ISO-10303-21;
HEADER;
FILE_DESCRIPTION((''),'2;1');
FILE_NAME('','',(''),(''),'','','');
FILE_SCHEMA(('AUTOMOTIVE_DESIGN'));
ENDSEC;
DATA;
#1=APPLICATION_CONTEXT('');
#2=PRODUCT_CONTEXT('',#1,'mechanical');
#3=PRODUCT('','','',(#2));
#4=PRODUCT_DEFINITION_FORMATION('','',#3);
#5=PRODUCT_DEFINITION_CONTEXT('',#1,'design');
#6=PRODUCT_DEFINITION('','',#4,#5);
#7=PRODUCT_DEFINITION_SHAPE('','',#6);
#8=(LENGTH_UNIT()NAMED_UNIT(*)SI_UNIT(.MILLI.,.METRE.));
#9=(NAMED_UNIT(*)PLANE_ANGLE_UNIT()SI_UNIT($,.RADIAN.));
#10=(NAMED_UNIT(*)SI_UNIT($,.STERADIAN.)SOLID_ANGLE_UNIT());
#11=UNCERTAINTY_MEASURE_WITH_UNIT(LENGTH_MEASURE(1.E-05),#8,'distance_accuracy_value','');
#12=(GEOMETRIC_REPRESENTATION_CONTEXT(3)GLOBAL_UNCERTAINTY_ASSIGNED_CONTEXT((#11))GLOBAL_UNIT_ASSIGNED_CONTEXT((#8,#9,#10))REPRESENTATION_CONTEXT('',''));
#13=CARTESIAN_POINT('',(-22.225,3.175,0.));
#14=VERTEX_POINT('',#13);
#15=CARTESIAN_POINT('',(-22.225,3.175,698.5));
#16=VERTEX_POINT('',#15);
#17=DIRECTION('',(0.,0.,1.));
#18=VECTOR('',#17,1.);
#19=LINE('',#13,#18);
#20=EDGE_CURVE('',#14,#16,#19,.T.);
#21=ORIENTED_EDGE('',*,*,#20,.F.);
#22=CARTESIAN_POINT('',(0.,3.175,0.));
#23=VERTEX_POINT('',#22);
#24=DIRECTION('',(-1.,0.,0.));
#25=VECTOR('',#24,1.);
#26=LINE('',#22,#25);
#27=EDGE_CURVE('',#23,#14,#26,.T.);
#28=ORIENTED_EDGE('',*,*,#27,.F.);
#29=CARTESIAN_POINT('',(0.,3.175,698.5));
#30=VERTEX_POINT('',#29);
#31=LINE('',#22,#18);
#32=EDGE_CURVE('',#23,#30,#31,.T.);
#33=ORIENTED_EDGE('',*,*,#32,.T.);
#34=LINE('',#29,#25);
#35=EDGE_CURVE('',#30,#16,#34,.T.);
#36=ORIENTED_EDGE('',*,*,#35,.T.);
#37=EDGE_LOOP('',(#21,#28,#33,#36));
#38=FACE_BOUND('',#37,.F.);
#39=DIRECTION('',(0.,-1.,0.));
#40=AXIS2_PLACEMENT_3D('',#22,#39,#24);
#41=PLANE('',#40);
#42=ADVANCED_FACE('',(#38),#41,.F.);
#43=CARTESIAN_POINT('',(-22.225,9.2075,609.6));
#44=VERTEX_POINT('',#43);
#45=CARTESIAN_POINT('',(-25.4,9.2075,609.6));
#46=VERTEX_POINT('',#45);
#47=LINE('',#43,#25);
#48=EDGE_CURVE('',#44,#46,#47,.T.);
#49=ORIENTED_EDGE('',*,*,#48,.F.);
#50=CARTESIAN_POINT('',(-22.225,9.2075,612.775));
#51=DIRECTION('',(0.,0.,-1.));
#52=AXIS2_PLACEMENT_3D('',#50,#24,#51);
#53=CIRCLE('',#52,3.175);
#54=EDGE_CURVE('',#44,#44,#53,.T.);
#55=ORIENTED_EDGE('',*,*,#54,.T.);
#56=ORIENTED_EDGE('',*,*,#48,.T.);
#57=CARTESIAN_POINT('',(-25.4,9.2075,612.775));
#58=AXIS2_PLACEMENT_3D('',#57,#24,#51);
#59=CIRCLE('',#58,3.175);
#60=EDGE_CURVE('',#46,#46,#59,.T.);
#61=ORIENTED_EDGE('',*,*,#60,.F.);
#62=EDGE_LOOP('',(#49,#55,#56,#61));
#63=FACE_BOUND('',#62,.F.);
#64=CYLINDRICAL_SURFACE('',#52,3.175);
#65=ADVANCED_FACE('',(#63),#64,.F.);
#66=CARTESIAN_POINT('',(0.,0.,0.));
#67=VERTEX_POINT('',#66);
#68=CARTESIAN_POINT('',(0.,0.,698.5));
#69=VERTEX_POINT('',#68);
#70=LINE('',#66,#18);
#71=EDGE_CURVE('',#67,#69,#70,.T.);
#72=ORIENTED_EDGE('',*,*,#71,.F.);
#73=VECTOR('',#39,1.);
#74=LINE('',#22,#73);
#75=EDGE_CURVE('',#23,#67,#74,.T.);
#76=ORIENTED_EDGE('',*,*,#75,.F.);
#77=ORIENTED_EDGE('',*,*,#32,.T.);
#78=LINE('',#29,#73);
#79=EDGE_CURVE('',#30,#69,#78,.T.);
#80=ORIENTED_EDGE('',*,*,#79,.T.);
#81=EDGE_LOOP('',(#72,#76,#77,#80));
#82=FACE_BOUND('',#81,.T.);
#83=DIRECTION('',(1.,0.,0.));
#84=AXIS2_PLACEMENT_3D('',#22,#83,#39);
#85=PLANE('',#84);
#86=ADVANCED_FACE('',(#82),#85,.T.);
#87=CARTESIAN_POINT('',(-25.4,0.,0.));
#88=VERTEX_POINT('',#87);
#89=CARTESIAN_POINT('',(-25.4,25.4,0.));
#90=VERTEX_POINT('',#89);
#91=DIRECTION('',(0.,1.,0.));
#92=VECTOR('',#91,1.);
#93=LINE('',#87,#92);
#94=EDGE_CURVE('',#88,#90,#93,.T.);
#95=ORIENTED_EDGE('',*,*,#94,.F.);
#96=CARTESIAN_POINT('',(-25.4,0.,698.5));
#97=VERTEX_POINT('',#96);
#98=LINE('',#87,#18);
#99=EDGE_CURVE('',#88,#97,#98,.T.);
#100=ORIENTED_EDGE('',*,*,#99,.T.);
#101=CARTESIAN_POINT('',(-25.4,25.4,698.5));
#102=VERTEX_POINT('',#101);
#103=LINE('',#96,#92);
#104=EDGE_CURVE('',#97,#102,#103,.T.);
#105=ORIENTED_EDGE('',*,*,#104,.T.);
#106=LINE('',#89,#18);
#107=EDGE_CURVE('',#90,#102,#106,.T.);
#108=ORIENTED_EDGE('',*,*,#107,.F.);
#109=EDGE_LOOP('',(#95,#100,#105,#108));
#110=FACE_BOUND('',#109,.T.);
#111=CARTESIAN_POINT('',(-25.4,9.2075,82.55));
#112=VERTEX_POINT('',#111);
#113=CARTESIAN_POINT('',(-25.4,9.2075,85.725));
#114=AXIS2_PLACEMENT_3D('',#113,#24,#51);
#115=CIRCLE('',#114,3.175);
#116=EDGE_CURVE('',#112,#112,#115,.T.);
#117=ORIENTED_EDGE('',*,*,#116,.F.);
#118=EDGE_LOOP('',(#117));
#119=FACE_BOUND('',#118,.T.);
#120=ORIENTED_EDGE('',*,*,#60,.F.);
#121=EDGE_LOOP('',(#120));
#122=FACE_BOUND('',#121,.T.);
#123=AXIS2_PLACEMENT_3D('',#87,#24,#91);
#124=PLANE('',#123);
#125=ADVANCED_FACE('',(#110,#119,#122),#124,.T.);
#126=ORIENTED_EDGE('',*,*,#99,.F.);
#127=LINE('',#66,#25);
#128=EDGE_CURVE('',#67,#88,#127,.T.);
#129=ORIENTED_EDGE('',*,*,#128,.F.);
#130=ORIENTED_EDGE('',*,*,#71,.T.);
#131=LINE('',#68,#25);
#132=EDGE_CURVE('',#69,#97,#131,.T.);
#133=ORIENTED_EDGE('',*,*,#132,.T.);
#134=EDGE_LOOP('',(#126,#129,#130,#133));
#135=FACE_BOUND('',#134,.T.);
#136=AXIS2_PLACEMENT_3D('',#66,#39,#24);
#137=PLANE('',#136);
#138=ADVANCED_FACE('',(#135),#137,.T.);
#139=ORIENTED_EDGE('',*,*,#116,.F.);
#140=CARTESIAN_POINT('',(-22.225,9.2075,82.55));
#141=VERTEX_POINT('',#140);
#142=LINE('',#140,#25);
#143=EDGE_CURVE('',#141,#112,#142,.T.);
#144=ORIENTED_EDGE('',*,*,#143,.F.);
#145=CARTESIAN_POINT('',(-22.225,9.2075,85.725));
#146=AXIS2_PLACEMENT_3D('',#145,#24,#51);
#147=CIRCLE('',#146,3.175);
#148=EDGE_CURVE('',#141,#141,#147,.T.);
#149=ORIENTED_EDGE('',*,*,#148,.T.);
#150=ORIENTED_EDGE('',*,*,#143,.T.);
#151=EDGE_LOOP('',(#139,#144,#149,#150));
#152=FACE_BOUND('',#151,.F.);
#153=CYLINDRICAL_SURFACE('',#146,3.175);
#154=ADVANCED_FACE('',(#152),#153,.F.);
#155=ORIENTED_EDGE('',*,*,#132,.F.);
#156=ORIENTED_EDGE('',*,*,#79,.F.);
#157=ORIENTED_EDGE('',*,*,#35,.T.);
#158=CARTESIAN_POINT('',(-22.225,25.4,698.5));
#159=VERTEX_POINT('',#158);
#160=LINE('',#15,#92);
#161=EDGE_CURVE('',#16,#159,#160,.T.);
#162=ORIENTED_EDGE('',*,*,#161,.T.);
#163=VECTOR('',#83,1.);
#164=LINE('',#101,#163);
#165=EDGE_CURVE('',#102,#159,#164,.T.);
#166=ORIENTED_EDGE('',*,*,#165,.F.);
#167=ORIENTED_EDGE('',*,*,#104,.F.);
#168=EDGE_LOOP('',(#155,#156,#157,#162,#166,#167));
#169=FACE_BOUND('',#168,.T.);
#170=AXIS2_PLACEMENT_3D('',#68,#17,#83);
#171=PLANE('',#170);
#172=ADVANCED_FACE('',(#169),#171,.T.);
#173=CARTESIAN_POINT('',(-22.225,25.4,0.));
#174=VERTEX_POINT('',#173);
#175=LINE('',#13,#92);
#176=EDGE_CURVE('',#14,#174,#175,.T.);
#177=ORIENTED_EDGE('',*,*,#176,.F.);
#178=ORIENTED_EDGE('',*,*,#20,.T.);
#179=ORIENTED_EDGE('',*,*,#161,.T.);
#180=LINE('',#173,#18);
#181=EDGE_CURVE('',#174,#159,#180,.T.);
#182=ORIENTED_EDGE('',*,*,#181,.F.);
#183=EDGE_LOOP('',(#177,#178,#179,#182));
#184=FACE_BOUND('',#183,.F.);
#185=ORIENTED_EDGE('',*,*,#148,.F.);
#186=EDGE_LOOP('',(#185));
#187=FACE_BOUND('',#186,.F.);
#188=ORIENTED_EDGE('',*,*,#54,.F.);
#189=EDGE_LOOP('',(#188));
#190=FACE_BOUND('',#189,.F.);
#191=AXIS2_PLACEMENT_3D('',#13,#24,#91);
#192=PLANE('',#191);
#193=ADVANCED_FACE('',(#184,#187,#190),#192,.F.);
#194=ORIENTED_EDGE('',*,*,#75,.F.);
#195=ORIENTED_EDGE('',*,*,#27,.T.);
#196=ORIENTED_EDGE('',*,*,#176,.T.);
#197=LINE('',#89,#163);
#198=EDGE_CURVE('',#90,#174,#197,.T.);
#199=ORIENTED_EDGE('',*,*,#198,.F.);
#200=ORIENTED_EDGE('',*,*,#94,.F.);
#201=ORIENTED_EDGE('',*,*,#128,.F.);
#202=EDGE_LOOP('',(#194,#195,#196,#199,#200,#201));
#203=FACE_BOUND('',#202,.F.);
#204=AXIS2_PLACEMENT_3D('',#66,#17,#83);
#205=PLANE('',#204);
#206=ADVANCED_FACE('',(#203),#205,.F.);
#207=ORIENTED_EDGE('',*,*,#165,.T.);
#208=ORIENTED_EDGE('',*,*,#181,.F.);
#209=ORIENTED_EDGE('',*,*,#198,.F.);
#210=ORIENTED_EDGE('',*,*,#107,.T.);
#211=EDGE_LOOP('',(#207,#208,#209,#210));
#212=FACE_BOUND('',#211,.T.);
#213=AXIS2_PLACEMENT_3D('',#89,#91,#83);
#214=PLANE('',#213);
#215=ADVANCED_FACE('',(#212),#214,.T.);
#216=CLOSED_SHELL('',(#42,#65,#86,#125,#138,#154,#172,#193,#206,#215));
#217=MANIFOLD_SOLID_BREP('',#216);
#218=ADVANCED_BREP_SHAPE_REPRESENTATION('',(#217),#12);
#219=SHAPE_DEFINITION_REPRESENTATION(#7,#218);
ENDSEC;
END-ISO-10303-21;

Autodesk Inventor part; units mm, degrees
ref_plane "YZ Plane" through (0, 0, 0) normal (1, 0, 0) x (0, 1, 0)
ref_plane "XZ Plane" through (0, 0, 0) normal (0, 1, 0) x (-1, 0, 0)
ref_plane "XY Plane" through (0, 0, 0) normal (0, 0, 1) x (1, 0, 0)
sketch "Sketch1" plane through (0, 0, 0) normal (0, 0, 1) x (1, 0, 0)
  line L0 (0, 0) -> (-25.4, 0)
  line L1 (-25.4, 0) -> (-25.4, 25.4)
  line L2 (0, 3.175) -> (-22.225, 3.175)
  line L3 (-22.225, 3.175) -> (-22.225, 25.4)
  line L4 (0, 3.175) -> (0, 0)
  line L5 (-25.4, 25.4) -> (-22.225, 25.4)
  dimension "d0" = 25.4
  dimension "d1" = 25.4
  dimension "d2" = 3.175
extrude "Extrusion1" add sketch "Sketch1" along normal blind 698.5
sketch "Sketch2" plane through (-22.225, 3.175, 0) normal (1, 0, 0) x (0, 0, -1)
  line L0 (0, 22.225) -> (0, 0) projected
  line L1 (0, 11.1125) -> (0, 6.0325)
  line L2 (0, 6.0325) -> (-85.725, 6.0325)
  line L3 (0, 22.225) -> (-698.5, 22.225) projected
  line L4 (-349.25, 22.225) -> (-349.25, 11.1125)
  line L5 (-698.5, 22.225) -> (-698.5, 0)
  line L6 (-698.5, 11.1125) -> (-698.5, 6.0325)
  line L7 (-698.5, 6.0325) -> (-612.775, 6.0325)
  line L8 (-698.5, 22.225) -> (0, 22.225)
  point P0 (0, -3.175)
  point P1 (-698.5, -3.175)
  dimension "d5" = 5.08
  dimension "d6" = 85.725
hole "Hole1" at (-22.225, 9.2075, 612.775) at (-22.225, 9.2075, 85.725) direction (-1, 0, 0) diameter 6.35 end through all
properties part number "27.5 L"
